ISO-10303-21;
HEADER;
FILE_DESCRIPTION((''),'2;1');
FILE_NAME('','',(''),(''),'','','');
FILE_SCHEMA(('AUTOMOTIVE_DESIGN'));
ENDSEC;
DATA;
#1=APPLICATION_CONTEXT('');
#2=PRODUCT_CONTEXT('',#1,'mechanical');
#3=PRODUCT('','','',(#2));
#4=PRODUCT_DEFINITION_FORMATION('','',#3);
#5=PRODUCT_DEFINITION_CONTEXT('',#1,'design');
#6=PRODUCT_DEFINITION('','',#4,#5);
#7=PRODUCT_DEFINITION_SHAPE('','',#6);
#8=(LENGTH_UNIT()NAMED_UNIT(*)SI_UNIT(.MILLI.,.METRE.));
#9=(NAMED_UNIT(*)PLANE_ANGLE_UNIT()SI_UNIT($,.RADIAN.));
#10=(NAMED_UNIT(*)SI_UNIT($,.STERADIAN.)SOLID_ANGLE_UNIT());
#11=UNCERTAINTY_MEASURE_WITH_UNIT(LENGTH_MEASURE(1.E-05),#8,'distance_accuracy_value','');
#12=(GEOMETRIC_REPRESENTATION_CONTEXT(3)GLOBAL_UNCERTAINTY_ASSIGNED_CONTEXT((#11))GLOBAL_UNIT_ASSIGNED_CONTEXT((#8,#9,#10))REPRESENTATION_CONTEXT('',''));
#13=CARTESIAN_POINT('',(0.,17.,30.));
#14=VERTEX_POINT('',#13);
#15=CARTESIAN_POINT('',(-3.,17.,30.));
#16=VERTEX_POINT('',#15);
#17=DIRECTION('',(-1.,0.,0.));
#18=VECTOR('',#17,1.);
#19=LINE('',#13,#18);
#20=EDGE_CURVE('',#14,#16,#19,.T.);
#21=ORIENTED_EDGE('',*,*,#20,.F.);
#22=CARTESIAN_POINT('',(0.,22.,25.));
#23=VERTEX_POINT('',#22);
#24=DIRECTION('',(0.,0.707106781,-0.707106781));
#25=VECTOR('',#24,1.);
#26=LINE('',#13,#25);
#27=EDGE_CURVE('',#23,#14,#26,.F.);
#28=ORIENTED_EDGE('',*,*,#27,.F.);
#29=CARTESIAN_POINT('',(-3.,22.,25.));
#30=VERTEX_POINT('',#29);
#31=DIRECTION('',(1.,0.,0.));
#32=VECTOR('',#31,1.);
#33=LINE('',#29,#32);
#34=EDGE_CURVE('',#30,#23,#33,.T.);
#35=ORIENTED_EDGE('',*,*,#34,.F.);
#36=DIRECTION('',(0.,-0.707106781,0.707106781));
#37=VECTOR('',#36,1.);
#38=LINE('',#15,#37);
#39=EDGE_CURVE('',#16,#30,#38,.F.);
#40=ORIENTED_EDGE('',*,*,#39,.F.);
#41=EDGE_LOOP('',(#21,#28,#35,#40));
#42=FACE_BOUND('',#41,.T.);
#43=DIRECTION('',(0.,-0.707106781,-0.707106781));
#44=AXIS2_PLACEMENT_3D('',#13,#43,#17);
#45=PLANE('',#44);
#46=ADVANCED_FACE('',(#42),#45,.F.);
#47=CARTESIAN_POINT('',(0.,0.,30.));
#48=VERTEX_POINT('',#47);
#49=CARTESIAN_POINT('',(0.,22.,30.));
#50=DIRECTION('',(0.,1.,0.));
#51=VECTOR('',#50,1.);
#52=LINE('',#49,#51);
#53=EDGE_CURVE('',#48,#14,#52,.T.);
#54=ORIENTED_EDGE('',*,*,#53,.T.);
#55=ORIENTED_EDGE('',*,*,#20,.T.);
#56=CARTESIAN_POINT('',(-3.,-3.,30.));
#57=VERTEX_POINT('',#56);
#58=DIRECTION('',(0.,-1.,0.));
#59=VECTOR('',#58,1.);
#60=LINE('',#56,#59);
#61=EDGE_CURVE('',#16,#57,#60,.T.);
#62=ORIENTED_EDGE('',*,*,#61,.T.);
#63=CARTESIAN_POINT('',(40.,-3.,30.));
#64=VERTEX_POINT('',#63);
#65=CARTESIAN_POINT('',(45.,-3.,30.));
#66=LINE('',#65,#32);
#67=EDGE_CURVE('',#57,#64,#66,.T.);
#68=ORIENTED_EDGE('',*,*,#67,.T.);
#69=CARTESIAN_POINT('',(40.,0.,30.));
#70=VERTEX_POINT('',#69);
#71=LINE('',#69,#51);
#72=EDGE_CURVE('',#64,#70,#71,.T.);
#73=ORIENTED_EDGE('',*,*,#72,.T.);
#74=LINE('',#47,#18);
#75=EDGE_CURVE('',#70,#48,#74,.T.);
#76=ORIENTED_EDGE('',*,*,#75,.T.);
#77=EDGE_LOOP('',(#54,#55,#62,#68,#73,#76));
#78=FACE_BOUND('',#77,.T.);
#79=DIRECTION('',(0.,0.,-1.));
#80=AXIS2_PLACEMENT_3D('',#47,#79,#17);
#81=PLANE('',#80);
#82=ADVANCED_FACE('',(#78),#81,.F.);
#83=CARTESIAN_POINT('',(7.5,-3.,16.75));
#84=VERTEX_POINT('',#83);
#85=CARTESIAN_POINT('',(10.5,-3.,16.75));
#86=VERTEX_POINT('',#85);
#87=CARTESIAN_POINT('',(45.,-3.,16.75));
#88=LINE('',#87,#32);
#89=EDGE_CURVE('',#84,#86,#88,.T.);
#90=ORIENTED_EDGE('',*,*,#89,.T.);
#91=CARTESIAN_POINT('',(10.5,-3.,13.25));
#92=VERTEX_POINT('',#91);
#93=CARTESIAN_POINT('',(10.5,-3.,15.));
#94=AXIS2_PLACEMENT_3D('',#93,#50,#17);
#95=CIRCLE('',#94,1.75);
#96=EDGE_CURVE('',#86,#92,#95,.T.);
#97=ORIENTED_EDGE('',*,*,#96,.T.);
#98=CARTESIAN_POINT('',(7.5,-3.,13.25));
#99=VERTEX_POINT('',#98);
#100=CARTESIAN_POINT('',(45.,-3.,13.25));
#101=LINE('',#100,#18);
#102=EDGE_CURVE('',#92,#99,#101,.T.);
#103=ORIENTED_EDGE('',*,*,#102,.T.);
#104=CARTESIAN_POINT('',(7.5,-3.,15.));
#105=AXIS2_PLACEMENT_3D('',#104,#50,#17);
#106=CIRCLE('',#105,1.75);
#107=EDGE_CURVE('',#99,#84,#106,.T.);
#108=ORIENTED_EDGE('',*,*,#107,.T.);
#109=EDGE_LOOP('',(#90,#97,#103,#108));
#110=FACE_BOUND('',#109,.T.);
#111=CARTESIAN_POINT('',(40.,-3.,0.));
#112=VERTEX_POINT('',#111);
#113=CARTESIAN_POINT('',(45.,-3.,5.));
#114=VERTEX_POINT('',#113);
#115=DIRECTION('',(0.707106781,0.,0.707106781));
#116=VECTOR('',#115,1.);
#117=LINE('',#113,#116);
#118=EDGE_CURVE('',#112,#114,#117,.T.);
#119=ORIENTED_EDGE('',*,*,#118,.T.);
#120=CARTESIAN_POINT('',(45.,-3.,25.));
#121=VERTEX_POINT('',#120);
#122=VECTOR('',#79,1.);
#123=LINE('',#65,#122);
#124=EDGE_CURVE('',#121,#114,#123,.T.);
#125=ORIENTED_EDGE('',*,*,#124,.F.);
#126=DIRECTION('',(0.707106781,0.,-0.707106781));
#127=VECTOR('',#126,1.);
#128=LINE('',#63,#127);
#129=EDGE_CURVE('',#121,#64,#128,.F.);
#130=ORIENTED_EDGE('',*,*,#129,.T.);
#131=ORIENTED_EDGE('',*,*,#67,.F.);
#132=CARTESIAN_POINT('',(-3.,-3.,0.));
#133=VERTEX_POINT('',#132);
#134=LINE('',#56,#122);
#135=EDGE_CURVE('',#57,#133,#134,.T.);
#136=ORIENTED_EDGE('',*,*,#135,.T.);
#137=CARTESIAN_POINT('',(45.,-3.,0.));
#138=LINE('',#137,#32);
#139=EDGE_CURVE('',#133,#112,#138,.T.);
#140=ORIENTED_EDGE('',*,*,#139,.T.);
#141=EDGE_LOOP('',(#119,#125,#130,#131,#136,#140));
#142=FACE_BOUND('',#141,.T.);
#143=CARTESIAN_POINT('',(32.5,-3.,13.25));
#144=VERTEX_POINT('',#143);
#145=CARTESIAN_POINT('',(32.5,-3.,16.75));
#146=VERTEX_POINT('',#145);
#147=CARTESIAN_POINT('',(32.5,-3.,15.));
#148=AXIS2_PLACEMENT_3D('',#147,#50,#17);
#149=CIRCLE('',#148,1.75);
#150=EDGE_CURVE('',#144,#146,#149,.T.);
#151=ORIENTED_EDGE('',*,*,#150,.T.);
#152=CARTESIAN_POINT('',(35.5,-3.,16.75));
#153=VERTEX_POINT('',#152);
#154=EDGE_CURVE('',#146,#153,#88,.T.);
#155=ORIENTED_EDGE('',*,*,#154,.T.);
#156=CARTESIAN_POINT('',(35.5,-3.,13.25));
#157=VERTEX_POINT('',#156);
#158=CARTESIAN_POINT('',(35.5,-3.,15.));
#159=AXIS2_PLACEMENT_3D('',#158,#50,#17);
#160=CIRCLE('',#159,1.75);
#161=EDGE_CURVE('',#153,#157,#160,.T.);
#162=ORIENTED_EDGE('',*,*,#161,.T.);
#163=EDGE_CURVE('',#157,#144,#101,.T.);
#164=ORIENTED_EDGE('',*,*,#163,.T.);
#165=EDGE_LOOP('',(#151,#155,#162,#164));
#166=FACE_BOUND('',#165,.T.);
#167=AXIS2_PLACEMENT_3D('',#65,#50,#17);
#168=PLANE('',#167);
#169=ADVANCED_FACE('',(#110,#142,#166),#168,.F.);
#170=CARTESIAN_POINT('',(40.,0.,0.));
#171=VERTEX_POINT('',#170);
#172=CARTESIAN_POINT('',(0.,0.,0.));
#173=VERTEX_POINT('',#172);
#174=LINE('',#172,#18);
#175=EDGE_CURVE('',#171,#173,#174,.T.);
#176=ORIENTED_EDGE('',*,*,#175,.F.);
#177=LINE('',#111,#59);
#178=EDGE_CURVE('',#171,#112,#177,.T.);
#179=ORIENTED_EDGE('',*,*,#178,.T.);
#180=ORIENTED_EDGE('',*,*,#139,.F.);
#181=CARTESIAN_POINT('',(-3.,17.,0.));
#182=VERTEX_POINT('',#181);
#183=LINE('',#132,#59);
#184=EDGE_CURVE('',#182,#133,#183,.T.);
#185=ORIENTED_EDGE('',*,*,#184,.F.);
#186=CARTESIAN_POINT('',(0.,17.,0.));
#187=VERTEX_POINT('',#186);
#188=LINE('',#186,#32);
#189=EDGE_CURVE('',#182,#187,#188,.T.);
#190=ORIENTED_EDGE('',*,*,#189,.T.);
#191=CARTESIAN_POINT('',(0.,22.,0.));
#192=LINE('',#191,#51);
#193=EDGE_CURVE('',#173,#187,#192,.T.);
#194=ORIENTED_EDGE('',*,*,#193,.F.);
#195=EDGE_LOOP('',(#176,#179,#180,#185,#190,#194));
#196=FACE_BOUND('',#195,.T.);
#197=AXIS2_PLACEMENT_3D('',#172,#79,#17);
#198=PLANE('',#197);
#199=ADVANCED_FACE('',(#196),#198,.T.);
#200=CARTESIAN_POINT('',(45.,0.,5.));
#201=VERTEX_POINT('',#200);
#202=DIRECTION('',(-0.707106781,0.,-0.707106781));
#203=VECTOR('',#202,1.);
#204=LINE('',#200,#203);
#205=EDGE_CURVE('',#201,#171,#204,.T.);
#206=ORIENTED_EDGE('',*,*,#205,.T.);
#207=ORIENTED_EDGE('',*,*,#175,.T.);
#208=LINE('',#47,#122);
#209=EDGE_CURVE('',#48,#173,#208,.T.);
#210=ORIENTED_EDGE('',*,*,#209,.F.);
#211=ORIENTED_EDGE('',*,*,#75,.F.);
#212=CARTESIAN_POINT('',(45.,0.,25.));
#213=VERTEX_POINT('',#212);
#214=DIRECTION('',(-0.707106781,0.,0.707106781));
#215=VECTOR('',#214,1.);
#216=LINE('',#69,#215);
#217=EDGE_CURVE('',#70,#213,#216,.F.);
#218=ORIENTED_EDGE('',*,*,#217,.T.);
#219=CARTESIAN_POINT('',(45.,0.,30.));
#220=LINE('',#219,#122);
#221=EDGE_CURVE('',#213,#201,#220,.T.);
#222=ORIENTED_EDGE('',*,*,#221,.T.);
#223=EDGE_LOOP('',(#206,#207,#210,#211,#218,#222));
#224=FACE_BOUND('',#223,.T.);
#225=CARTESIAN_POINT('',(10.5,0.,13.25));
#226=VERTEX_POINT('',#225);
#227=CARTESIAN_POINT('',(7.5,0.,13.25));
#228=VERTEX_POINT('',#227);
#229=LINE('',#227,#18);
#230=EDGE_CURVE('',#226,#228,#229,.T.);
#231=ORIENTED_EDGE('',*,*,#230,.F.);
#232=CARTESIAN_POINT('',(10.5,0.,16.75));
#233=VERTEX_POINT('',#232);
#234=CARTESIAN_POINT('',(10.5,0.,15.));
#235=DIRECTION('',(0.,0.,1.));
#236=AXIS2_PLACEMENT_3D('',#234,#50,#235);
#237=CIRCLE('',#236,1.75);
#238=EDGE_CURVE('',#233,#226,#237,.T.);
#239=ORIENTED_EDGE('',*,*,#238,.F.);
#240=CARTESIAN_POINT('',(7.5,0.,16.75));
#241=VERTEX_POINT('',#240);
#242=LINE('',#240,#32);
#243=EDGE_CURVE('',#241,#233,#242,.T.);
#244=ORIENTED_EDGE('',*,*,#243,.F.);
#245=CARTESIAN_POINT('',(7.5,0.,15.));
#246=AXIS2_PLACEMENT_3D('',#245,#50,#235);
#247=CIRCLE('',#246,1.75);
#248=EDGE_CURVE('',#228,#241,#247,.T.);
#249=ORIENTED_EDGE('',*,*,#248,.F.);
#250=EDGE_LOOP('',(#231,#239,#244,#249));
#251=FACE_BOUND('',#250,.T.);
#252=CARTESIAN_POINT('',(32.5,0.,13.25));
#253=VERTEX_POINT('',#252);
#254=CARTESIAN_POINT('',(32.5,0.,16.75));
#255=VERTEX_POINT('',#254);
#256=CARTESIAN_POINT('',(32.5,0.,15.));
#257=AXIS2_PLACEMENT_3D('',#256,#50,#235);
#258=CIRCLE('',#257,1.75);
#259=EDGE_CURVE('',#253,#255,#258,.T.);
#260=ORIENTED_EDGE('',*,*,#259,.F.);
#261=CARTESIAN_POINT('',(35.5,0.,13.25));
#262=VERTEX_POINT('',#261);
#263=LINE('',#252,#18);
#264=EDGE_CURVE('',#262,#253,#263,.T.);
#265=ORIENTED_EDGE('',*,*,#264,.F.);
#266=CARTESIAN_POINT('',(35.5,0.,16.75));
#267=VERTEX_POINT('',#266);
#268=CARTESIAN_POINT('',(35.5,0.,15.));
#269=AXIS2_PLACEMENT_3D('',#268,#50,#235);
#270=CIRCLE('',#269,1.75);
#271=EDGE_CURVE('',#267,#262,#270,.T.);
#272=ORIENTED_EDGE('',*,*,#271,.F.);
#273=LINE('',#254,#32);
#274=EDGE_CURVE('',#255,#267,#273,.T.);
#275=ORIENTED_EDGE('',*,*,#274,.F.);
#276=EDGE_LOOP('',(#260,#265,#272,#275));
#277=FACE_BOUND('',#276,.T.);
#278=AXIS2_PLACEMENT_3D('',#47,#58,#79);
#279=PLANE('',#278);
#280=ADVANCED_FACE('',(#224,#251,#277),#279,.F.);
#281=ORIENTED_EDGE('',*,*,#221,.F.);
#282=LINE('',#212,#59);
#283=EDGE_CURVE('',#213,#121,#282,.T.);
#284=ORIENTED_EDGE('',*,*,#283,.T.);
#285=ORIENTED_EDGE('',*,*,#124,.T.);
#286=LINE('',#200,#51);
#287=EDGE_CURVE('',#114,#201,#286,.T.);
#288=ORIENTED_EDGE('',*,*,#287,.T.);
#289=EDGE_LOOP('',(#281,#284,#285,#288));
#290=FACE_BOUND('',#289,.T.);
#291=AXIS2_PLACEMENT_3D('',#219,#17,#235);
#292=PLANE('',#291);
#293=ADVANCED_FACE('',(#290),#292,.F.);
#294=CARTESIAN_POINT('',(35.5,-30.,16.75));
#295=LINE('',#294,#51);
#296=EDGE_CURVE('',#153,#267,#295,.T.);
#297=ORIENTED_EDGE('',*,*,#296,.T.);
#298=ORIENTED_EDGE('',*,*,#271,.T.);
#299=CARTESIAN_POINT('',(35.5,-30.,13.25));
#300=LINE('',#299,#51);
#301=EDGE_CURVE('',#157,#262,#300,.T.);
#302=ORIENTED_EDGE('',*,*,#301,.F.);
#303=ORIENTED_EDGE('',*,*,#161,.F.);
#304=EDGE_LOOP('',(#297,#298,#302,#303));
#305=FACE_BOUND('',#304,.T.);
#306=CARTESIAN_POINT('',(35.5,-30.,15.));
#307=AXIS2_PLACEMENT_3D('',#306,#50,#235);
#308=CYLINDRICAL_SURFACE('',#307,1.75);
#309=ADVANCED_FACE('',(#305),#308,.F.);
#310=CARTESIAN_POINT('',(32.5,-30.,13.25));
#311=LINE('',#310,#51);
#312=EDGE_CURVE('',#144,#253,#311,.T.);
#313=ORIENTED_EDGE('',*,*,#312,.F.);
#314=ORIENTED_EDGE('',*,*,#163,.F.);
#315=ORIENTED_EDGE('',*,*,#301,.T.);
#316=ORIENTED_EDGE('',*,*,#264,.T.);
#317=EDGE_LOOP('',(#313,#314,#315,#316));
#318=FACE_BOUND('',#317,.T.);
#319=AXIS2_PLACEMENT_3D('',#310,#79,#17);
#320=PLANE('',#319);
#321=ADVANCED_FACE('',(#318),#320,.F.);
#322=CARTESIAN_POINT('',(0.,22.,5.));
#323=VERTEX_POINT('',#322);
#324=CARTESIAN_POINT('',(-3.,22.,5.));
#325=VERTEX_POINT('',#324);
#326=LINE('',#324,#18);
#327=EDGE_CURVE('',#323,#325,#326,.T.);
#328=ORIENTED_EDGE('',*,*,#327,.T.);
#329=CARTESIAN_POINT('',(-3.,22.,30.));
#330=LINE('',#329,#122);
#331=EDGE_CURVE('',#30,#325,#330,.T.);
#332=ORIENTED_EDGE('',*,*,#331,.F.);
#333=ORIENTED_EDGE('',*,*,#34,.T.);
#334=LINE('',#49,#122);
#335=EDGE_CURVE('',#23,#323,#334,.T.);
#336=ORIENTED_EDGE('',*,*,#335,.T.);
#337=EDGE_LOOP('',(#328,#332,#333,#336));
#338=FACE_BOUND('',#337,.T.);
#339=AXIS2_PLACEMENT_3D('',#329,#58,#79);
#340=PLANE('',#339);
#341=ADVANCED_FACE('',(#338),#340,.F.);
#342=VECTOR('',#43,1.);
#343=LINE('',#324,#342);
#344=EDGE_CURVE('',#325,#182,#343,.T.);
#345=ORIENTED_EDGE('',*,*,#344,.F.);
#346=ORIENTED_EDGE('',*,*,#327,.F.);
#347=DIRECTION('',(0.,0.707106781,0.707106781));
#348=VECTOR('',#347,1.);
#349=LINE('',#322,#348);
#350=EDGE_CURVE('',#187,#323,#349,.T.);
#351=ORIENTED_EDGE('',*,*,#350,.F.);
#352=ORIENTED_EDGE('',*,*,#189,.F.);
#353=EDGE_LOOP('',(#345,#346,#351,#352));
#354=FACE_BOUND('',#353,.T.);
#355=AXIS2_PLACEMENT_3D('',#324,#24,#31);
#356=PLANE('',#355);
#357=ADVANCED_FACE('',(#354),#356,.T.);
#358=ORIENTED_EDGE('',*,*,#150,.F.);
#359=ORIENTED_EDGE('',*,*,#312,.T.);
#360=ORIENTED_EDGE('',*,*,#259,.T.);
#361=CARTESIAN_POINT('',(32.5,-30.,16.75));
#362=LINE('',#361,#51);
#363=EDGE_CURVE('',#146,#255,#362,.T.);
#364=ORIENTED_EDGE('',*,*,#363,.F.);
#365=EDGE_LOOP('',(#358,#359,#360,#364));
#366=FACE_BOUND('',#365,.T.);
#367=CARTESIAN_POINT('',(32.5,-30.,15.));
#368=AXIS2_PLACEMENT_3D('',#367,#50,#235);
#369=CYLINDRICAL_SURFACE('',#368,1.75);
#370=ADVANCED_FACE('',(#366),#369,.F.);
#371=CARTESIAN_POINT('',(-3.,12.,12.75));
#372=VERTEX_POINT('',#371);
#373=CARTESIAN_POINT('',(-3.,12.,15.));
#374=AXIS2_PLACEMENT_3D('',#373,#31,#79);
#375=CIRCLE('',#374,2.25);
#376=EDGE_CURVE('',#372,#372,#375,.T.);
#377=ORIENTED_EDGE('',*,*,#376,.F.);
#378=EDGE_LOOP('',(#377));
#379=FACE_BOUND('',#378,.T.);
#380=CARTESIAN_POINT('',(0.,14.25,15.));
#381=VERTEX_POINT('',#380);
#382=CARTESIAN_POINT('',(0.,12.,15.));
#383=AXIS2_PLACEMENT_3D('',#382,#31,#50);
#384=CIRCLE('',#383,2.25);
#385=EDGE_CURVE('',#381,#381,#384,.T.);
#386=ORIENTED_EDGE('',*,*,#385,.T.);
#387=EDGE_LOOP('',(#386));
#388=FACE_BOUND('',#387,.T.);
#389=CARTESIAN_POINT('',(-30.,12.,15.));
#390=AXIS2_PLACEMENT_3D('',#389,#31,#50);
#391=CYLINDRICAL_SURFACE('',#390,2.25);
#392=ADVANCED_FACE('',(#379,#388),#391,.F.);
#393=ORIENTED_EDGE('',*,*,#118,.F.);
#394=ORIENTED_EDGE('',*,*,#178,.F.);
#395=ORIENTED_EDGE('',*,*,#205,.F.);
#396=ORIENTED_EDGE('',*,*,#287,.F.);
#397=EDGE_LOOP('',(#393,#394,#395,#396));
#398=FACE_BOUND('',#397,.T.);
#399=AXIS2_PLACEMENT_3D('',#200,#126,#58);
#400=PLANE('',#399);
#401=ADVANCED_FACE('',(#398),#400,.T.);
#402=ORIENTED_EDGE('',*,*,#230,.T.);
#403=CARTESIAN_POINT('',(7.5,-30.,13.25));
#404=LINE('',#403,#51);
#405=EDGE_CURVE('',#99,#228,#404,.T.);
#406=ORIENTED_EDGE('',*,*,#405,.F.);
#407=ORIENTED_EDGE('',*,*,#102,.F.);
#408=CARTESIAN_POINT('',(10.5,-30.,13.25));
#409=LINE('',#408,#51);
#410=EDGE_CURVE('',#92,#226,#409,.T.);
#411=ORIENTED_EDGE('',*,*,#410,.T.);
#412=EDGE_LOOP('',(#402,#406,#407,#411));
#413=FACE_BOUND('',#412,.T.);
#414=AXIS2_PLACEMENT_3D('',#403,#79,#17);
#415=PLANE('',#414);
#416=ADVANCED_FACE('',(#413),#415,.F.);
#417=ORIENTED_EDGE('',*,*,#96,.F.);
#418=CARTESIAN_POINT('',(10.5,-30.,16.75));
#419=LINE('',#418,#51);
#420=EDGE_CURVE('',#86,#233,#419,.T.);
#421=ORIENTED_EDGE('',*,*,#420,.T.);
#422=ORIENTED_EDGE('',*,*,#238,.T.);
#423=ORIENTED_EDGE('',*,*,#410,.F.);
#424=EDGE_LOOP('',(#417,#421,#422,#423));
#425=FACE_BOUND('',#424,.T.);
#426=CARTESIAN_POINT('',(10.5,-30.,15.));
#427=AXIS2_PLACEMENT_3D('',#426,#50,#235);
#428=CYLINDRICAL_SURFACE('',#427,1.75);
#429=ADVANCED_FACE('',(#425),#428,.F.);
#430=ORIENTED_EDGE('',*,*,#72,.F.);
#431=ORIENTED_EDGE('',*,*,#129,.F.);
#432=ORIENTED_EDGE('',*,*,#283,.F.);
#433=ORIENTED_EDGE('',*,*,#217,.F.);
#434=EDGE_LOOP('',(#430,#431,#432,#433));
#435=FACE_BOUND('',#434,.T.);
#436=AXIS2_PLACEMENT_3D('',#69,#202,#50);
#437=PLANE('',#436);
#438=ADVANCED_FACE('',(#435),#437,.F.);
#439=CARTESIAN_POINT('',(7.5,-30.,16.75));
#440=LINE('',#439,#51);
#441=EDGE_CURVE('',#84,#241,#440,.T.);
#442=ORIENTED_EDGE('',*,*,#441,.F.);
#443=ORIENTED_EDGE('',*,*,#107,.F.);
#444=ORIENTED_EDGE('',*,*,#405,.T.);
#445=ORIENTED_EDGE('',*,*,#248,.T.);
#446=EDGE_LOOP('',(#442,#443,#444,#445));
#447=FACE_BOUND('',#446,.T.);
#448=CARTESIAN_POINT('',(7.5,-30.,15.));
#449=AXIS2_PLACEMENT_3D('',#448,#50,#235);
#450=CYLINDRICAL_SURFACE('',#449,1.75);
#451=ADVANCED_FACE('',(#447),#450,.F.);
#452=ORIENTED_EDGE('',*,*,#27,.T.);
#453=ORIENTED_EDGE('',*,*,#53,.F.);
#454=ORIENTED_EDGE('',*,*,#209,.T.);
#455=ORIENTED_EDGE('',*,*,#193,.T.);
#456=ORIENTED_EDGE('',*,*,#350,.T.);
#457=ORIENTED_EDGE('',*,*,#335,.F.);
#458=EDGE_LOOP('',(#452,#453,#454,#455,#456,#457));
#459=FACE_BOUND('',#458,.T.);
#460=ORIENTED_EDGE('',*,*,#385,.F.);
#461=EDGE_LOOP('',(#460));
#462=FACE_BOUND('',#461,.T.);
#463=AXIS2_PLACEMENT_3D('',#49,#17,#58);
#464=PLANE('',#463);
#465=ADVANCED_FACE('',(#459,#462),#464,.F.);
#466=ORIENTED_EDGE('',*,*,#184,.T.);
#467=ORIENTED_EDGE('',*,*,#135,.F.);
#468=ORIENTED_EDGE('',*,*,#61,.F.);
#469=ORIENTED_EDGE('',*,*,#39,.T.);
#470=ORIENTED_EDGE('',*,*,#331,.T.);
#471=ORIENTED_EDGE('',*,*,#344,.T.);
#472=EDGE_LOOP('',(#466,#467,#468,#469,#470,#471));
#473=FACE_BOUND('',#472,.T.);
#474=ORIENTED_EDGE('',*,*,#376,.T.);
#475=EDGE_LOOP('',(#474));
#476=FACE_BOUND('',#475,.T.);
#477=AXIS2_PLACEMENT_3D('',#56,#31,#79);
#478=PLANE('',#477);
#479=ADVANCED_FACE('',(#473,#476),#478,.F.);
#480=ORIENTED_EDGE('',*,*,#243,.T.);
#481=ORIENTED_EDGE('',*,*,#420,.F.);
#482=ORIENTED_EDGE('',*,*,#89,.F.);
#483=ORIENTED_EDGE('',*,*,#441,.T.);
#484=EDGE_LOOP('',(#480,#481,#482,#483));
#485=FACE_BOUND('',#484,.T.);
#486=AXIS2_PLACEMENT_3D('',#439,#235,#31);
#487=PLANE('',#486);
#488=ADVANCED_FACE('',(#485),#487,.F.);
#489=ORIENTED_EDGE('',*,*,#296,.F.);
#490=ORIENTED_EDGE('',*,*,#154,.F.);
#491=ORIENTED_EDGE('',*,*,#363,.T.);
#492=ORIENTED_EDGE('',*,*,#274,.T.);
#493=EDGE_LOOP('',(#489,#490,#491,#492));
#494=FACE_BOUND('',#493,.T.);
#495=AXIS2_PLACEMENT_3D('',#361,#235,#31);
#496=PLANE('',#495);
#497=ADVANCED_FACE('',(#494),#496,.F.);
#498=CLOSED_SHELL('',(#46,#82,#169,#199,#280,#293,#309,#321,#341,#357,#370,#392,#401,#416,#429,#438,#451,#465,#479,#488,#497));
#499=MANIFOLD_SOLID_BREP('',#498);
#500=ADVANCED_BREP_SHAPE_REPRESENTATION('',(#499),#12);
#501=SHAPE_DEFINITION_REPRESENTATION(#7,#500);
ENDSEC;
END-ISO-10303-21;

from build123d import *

# Parameters (mm, degrees)
BOSS_EXTRUDE1_DEPTH = 30
SKETCH2_R           = 2.25
CUT_EXTRUDE1_DEPTH  = 30
CUT_EXTRUDE2_DEPTH  = 30
CHAMFER1_SIZE       = 5


with BuildPart() as part:
    # Sketch1 → Boss-Extrude1 (new body)
    with BuildSketch(Plane.XY):
        Polygon((0, 22), (0, 0), (45, 0), (45, -3), (-3, -3), (-3, 22), align=None)
    extrude(amount=BOSS_EXTRUDE1_DEPTH)

    # Sketch2 → Cut-Extrude1 (cut)
    with BuildSketch(Plane(origin=(0, 0, 0), x_dir=(0, 0, -1), z_dir=(1, 0, 0))):
        with Locations(Location((-15, 12, 0), (0, 0, 90))):
            Circle(SKETCH2_R)
    extrude(amount=-CUT_EXTRUDE1_DEPTH, mode=Mode.SUBTRACT)

    # Sketch3 → Cut-Extrude2 (cut)
    with BuildSketch(Plane(origin=(0, 0, 0), x_dir=(1, 0, 0), z_dir=(0, 1, 0))):
        with BuildLine():
            Line((7.5, -13.25), (10.5, -13.25))
            ThreePointArc((10.5, -13.25), (12.25, -15), (10.5, -16.75))
            Line((10.5, -16.75), (7.5, -16.75))
            ThreePointArc((7.5, -16.75), (5.75, -15), (7.5, -13.25))
        make_face()
        with BuildLine():
            Line((32.5, -13.25), (35.5, -13.25))
            ThreePointArc((35.5, -13.25), (37.25, -15), (35.5, -16.75))
            Line((35.5, -16.75), (32.5, -16.75))
            ThreePointArc((32.5, -16.75), (30.75, -15), (32.5, -13.25))
        make_face()
    extrude(amount=-CUT_EXTRUDE2_DEPTH, mode=Mode.SUBTRACT)

    # Chamfer1
    chamfer1_edges = [part.edges().sort_by_distance(p)[0] for p in [
        (45, -1.5, 30),
        (-1.5, 22, 30),
        (45, -1.5, 0),
        (-1.5, 22, 0),
    ]]
    chamfer(chamfer1_edges, length=CHAMFER1_SIZE)


solid = part.part
